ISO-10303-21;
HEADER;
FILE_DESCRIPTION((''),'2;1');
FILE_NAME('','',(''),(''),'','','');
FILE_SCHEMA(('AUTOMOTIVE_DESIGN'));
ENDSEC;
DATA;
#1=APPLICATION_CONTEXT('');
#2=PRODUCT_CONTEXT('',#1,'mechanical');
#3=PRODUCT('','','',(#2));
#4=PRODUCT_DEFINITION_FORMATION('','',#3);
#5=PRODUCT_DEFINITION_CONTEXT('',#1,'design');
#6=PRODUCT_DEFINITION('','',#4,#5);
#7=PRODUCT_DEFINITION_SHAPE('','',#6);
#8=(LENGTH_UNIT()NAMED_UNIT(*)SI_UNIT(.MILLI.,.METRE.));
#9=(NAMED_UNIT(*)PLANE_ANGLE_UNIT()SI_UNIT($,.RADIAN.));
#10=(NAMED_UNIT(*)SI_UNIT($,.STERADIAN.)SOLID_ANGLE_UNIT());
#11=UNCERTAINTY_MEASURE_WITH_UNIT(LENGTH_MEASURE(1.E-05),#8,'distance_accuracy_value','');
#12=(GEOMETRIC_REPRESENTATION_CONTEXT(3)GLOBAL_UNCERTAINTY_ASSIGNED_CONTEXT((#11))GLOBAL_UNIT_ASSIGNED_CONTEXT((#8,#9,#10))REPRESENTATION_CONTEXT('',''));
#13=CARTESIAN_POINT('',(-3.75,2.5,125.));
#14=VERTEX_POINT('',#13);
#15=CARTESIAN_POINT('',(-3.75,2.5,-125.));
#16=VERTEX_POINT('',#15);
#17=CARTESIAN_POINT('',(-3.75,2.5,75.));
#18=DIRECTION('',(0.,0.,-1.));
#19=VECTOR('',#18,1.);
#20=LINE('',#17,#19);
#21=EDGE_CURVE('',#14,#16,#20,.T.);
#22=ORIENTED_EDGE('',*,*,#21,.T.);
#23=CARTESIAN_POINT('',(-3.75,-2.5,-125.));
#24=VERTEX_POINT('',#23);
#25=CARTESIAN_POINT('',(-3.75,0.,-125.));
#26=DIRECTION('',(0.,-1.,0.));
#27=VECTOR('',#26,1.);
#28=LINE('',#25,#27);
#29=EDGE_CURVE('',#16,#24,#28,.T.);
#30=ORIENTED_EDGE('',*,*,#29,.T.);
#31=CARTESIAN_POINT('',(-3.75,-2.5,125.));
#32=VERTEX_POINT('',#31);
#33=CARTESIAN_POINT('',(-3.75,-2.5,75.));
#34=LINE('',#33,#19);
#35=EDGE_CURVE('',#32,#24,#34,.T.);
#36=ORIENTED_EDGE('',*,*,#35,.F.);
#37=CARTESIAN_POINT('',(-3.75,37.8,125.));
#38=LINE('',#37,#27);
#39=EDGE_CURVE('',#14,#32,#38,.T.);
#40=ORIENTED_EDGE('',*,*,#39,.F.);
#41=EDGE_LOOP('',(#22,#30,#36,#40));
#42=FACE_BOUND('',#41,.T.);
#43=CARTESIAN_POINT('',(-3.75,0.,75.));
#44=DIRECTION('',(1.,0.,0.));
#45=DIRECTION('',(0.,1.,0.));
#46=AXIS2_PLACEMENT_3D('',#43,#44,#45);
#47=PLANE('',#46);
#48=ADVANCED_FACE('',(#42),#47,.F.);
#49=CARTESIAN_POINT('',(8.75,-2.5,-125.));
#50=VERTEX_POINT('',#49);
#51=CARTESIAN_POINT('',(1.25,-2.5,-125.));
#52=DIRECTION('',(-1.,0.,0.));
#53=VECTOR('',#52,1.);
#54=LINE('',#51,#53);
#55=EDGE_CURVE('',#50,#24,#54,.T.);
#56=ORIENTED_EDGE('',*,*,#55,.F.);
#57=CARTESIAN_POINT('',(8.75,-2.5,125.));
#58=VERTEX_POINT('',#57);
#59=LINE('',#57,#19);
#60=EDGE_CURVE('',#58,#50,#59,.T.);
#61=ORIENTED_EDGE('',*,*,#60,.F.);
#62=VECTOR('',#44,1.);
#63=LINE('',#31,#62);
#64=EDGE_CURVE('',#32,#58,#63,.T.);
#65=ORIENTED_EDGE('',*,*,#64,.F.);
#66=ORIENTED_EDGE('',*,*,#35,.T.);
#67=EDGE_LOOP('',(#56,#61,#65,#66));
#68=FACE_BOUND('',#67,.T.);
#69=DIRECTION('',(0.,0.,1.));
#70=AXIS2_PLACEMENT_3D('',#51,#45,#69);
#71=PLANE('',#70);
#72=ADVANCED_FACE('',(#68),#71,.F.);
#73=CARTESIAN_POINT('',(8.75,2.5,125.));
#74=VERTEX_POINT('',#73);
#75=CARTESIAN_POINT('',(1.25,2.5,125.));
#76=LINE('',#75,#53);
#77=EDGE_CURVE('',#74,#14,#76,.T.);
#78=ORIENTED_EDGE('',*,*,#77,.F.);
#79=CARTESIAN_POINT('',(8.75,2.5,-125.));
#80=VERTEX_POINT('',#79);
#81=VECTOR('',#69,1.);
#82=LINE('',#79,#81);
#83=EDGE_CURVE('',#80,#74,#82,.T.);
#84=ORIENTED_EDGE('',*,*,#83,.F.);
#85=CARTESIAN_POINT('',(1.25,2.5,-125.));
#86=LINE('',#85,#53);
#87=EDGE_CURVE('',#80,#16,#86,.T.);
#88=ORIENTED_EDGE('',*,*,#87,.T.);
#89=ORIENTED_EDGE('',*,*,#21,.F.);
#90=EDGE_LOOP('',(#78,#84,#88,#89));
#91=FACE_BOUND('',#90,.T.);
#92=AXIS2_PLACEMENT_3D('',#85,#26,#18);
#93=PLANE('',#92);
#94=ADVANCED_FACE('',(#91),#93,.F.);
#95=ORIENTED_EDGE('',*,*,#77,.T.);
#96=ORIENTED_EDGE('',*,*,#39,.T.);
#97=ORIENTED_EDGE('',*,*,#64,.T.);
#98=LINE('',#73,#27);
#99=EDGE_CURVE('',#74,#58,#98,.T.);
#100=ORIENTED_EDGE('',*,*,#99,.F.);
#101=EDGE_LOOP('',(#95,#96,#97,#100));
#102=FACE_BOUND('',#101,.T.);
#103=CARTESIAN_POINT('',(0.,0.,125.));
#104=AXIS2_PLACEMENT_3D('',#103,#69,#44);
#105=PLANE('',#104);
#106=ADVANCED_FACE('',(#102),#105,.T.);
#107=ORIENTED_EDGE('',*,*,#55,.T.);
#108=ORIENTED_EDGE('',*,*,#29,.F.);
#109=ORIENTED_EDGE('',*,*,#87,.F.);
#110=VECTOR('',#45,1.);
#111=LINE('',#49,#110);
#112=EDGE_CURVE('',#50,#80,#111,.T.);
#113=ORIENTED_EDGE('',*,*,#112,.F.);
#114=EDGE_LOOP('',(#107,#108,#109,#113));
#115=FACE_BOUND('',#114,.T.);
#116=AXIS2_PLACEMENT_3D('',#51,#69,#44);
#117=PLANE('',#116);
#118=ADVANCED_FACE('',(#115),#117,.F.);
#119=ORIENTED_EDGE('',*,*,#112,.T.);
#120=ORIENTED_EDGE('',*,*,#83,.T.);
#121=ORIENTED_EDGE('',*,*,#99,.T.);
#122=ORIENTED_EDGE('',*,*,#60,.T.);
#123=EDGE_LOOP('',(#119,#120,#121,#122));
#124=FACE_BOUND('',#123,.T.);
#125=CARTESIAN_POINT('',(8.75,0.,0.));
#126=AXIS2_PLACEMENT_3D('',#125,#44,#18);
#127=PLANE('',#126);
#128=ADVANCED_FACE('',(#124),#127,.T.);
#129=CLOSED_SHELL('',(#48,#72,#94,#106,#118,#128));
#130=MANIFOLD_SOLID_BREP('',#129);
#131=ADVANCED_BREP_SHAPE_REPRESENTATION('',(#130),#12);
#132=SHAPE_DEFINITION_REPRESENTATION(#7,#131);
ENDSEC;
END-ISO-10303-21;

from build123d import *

# Parameters (mm, degrees)
CROQUIS1_R                   = 2.5
SALIENTE_EXTRUIR1_DEPTH      = 1.25
SALIENTE_EXTRUIR4_DEPTH      = 2.5
CROQUIS6_R                   = 12.525
CORTAR_EXTRUIR3_DEPTH        = 10
SALIENTE_EXTRUIR5_DEPTH      = 200
CROQUIS8_R                   = 12.525
SALIENTE_EXTRUIR6_DEPTH      = 21
CROQUIS10_W                  = 18.5
CROQUIS10_H                  = 25.138120499
CROQUIS10_W_2                = 2.5
CROQUIS10_H_2                = 4.861879501
CROQUIS10_H_3                = 5
CORTAR_EXTRUIR5_DEPTH        = 98
SALIENTE_EXTRUIR7_DEPTH      = 50
SALIENTE_EXTRUIR8_DEPTH      = 15
SALIENTE_EXTRUIR8_DEPTH_BACK = 265
CROQUIS15_W                  = 250
CROQUIS15_H                  = 5
CROQUIS15_W_2                = 280
SALIENTE_EXTRUIR9_DEPTH      = 7.5
CROQUIS16_W                  = 280
CROQUIS16_H                  = 5
CROQUIS16_W_2                = 250
CROQUIS16_H_2                = 30.3
CORTAR_EXTRUIR6_DEPTH        = 86


with BuildPart() as part:
    # Croquis1 → Saliente-Extruir1 (new, symmetric)
    with BuildSketch(Plane(origin=(0, 0, 0), x_dir=(0, 0, -1), z_dir=(1, 0, 0))):
        with BuildLine():
            Line((125, -2.5), (-125, -2.5))
            Line((-125, -2.5), (-125, 2.5))
            Line((-125, 2.5), (-123, 2.5))
            Line((-123, 2.5), (-117, 17.5))
            ThreePointArc((-117, 17.5), (-110, 24.5), (-103, 17.5))
            Line((-103, 17.5), (-97, 2.5))
            Line((-97, 2.5), (125, 2.5))
            Line((125, 2.5), (125, -2.5))
        make_face()
        with Locations((-110, 17.5)):
            Circle(CROQUIS1_R, mode=Mode.SUBTRACT)
    extrude(amount=SALIENTE_EXTRUIR1_DEPTH, both=True)

    # Croquis5 → Saliente-Extruir4 (add, through all)
    with BuildSketch(Plane(origin=(1.25, 0, 0), x_dir=(0, 0, -1), z_dir=(1, 0, 0))):
        with BuildLine():
            ThreePointArc((-100, 10), (-110, 5), (-120, 10))
            Line((-120, 10), (-121.0552482, 7.361879501))
            ThreePointArc((-121.0552482, 7.361879501), (-110, 2.5), (-98.9447518, 7.361879501))
            Line((-98.9447518, 7.361879501), (-100, 10))
        make_face()
        with BuildLine():
            Line((-121.0552482, 7.361879501), (-120, 10))
            ThreePointArc((-120, 10), (-113.952847075, 29.358541226), (-97.5, 17.5))
            ThreePointArc((-97.5, 17.5), (-98.141458774, 13.547152925), (-100, 10))
            Line((-100, 10), (-98.9447518, 7.361879501))
            ThreePointArc((-98.9447518, 7.361879501), (-96.020931308, 12.060731804), (-95, 17.5))
            ThreePointArc((-95, 17.5), (-115.439268196, 31.479068692), (-121.0552482, 7.361879501))
        make_face()
    extrude(amount=-SALIENTE_EXTRUIR4_DEPTH)

    # Croquis6 → Cortar-Extruir3 (cut)
    with BuildSketch(Plane(origin=(1.25, 0, 0), x_dir=(0, 0, -1), z_dir=(1, 0, 0))):
        with Locations((-110, 17.5)):
            Circle(CROQUIS6_R)
    extrude(amount=-CORTAR_EXTRUIR3_DEPTH, mode=Mode.SUBTRACT)

    # Croquis7 → Saliente-Extruir5 (add)
    with BuildSketch(Plane(origin=(0, 0, -125), x_dir=(-1, 0, 0), z_dir=(0, 0, -1))):
        Polygon((3.75, 37.8), (3.75, -2.5), (1.25, -2.5), (1.25, 2.5), (1.25, 32.8), (-1.25, 32.8), (-1.25, 37.8), align=None)
    extrude(amount=-SALIENTE_EXTRUIR5_DEPTH)

    # Croquis8 → Saliente-Extruir6 (add)
    with BuildSketch(Plane.ZY.offset(1.25)):
        with BuildLine():
            Line((98.9447518, 7.361879501), (97, 2.5))
            Line((97, 2.5), (95, 2.5))
            Line((95, 2.5), (95, -2.5))
            Line((95, -2.5), (125, -2.5))
            Line((125, -2.5), (125, 2.5))
            Line((125, 2.5), (123, 2.5))
            Line((123, 2.5), (121.0552482, 7.361879501))
            ThreePointArc((121.0552482, 7.361879501), (110, 32.5), (98.9447518, 7.361879501))
        make_face()
        with Locations(Location((110, 17.5, 0), (0, 0, 180))):
            Circle(CROQUIS8_R, mode=Mode.SUBTRACT)
    extrude(amount=SALIENTE_EXTRUIR6_DEPTH)

    # Croquis10 → Cortar-Extruir5 (cut)
    with BuildSketch(Plane.XY.offset(75)):
        with Locations((-13, 19.930939751)):
            Rectangle(CROQUIS10_W, CROQUIS10_H)
        Polygon((1.25, 37.8), (-3.75, 37.8), (-3.75, 32.5), (-1.25, 32.5), (-1.25, 32.8), (1.25, 32.8), align=None)
        with Locations((0, 19.930939751)):
            Rectangle(CROQUIS10_W_2, CROQUIS10_H)
        with Locations((-2.5, 19.930939751)):
            Rectangle(CROQUIS10_W_2, CROQUIS10_H)
        with Locations((-13, 4.930939751)):
            Rectangle(CROQUIS10_W, CROQUIS10_H_2)
        with Locations((-2.5, 4.930939751)):
            Rectangle(CROQUIS10_W_2, CROQUIS10_H_2)
        with Locations((0, 4.930939751)):
            Rectangle(CROQUIS10_W_2, CROQUIS10_H_2)
        with Locations((-2.5, 0)):
            Rectangle(CROQUIS10_W_2, CROQUIS10_H_3)
        with Locations((-13, 0)):
            Rectangle(CROQUIS10_W, CROQUIS10_H_3)
        Rectangle(CROQUIS10_W_2, CROQUIS10_H_3)
    extrude(amount=CORTAR_EXTRUIR5_DEPTH, mode=Mode.SUBTRACT)

    # Croquis11 → Saliente-Extruir7 (add)
    with BuildSketch(Plane.XY.offset(75)):
        Polygon((-3.75, 37.8), (-3.75, -2.5), (1.25, -2.5), (1.25, 2.5), (-1.25, 2.5), (-1.25, 32.8), (1.25, 32.8), (1.25, 37.8), align=None)
    extrude(amount=SALIENTE_EXTRUIR7_DEPTH)

    # Croquis14 → Saliente-Extruir8 (add, two sides: drawn at the far end of the back side and taken through both)
    with BuildSketch(Plane.XY.offset(125).offset(-SALIENTE_EXTRUIR8_DEPTH_BACK)):
        Polygon((-1.25, 32.8), (1.25, 32.8), (1.25, 37.8), (-3.75, 37.8), (-3.75, 32.8), align=None)
    extrude(amount=SALIENTE_EXTRUIR8_DEPTH + SALIENTE_EXTRUIR8_DEPTH_BACK)

    # Croquis15 → Saliente-Extruir9 (add)
    with BuildSketch(Plane(origin=(1.25, 0, 0), x_dir=(0, 0, -1), z_dir=(1, 0, 0))):
        Rectangle(CROQUIS15_W, CROQUIS15_H)
        with Locations((0, 35.3)):
            Rectangle(CROQUIS15_W_2, CROQUIS15_H)
    extrude(amount=SALIENTE_EXTRUIR9_DEPTH)

    # Croquis16 → Cortar-Extruir6 (cut)
    with BuildSketch(Plane(origin=(-1.25, 0, 0), x_dir=(0, 0, -1), z_dir=(1, 0, 0))):
        with Locations((0, 35.3)):
            Rectangle(CROQUIS16_W, CROQUIS16_H)
        with Locations((0, 17.65)):
            Rectangle(CROQUIS16_W_2, CROQUIS16_H_2)
    extrude(amount=-CORTAR_EXTRUIR6_DEPTH, mode=Mode.SUBTRACT)


with BuildPart() as cortar_extruir6_piece_1:
    # of the separate pieces the step leaves, piece 1, a body of its own (cortar_extruir6_pieces)
    add(part.part.solids().sort_by_distance((-3.75, -2.5, -125))[0])


with BuildPart() as cortar_extruir6_piece_2:
    # of the separate pieces the step leaves, piece 2, a body of its own (cortar_extruir6_pieces)
    add(part.part.solids().sort_by_distance((-1.25, 32.8, -140))[0])


solid = cortar_extruir6_piece_1.part
